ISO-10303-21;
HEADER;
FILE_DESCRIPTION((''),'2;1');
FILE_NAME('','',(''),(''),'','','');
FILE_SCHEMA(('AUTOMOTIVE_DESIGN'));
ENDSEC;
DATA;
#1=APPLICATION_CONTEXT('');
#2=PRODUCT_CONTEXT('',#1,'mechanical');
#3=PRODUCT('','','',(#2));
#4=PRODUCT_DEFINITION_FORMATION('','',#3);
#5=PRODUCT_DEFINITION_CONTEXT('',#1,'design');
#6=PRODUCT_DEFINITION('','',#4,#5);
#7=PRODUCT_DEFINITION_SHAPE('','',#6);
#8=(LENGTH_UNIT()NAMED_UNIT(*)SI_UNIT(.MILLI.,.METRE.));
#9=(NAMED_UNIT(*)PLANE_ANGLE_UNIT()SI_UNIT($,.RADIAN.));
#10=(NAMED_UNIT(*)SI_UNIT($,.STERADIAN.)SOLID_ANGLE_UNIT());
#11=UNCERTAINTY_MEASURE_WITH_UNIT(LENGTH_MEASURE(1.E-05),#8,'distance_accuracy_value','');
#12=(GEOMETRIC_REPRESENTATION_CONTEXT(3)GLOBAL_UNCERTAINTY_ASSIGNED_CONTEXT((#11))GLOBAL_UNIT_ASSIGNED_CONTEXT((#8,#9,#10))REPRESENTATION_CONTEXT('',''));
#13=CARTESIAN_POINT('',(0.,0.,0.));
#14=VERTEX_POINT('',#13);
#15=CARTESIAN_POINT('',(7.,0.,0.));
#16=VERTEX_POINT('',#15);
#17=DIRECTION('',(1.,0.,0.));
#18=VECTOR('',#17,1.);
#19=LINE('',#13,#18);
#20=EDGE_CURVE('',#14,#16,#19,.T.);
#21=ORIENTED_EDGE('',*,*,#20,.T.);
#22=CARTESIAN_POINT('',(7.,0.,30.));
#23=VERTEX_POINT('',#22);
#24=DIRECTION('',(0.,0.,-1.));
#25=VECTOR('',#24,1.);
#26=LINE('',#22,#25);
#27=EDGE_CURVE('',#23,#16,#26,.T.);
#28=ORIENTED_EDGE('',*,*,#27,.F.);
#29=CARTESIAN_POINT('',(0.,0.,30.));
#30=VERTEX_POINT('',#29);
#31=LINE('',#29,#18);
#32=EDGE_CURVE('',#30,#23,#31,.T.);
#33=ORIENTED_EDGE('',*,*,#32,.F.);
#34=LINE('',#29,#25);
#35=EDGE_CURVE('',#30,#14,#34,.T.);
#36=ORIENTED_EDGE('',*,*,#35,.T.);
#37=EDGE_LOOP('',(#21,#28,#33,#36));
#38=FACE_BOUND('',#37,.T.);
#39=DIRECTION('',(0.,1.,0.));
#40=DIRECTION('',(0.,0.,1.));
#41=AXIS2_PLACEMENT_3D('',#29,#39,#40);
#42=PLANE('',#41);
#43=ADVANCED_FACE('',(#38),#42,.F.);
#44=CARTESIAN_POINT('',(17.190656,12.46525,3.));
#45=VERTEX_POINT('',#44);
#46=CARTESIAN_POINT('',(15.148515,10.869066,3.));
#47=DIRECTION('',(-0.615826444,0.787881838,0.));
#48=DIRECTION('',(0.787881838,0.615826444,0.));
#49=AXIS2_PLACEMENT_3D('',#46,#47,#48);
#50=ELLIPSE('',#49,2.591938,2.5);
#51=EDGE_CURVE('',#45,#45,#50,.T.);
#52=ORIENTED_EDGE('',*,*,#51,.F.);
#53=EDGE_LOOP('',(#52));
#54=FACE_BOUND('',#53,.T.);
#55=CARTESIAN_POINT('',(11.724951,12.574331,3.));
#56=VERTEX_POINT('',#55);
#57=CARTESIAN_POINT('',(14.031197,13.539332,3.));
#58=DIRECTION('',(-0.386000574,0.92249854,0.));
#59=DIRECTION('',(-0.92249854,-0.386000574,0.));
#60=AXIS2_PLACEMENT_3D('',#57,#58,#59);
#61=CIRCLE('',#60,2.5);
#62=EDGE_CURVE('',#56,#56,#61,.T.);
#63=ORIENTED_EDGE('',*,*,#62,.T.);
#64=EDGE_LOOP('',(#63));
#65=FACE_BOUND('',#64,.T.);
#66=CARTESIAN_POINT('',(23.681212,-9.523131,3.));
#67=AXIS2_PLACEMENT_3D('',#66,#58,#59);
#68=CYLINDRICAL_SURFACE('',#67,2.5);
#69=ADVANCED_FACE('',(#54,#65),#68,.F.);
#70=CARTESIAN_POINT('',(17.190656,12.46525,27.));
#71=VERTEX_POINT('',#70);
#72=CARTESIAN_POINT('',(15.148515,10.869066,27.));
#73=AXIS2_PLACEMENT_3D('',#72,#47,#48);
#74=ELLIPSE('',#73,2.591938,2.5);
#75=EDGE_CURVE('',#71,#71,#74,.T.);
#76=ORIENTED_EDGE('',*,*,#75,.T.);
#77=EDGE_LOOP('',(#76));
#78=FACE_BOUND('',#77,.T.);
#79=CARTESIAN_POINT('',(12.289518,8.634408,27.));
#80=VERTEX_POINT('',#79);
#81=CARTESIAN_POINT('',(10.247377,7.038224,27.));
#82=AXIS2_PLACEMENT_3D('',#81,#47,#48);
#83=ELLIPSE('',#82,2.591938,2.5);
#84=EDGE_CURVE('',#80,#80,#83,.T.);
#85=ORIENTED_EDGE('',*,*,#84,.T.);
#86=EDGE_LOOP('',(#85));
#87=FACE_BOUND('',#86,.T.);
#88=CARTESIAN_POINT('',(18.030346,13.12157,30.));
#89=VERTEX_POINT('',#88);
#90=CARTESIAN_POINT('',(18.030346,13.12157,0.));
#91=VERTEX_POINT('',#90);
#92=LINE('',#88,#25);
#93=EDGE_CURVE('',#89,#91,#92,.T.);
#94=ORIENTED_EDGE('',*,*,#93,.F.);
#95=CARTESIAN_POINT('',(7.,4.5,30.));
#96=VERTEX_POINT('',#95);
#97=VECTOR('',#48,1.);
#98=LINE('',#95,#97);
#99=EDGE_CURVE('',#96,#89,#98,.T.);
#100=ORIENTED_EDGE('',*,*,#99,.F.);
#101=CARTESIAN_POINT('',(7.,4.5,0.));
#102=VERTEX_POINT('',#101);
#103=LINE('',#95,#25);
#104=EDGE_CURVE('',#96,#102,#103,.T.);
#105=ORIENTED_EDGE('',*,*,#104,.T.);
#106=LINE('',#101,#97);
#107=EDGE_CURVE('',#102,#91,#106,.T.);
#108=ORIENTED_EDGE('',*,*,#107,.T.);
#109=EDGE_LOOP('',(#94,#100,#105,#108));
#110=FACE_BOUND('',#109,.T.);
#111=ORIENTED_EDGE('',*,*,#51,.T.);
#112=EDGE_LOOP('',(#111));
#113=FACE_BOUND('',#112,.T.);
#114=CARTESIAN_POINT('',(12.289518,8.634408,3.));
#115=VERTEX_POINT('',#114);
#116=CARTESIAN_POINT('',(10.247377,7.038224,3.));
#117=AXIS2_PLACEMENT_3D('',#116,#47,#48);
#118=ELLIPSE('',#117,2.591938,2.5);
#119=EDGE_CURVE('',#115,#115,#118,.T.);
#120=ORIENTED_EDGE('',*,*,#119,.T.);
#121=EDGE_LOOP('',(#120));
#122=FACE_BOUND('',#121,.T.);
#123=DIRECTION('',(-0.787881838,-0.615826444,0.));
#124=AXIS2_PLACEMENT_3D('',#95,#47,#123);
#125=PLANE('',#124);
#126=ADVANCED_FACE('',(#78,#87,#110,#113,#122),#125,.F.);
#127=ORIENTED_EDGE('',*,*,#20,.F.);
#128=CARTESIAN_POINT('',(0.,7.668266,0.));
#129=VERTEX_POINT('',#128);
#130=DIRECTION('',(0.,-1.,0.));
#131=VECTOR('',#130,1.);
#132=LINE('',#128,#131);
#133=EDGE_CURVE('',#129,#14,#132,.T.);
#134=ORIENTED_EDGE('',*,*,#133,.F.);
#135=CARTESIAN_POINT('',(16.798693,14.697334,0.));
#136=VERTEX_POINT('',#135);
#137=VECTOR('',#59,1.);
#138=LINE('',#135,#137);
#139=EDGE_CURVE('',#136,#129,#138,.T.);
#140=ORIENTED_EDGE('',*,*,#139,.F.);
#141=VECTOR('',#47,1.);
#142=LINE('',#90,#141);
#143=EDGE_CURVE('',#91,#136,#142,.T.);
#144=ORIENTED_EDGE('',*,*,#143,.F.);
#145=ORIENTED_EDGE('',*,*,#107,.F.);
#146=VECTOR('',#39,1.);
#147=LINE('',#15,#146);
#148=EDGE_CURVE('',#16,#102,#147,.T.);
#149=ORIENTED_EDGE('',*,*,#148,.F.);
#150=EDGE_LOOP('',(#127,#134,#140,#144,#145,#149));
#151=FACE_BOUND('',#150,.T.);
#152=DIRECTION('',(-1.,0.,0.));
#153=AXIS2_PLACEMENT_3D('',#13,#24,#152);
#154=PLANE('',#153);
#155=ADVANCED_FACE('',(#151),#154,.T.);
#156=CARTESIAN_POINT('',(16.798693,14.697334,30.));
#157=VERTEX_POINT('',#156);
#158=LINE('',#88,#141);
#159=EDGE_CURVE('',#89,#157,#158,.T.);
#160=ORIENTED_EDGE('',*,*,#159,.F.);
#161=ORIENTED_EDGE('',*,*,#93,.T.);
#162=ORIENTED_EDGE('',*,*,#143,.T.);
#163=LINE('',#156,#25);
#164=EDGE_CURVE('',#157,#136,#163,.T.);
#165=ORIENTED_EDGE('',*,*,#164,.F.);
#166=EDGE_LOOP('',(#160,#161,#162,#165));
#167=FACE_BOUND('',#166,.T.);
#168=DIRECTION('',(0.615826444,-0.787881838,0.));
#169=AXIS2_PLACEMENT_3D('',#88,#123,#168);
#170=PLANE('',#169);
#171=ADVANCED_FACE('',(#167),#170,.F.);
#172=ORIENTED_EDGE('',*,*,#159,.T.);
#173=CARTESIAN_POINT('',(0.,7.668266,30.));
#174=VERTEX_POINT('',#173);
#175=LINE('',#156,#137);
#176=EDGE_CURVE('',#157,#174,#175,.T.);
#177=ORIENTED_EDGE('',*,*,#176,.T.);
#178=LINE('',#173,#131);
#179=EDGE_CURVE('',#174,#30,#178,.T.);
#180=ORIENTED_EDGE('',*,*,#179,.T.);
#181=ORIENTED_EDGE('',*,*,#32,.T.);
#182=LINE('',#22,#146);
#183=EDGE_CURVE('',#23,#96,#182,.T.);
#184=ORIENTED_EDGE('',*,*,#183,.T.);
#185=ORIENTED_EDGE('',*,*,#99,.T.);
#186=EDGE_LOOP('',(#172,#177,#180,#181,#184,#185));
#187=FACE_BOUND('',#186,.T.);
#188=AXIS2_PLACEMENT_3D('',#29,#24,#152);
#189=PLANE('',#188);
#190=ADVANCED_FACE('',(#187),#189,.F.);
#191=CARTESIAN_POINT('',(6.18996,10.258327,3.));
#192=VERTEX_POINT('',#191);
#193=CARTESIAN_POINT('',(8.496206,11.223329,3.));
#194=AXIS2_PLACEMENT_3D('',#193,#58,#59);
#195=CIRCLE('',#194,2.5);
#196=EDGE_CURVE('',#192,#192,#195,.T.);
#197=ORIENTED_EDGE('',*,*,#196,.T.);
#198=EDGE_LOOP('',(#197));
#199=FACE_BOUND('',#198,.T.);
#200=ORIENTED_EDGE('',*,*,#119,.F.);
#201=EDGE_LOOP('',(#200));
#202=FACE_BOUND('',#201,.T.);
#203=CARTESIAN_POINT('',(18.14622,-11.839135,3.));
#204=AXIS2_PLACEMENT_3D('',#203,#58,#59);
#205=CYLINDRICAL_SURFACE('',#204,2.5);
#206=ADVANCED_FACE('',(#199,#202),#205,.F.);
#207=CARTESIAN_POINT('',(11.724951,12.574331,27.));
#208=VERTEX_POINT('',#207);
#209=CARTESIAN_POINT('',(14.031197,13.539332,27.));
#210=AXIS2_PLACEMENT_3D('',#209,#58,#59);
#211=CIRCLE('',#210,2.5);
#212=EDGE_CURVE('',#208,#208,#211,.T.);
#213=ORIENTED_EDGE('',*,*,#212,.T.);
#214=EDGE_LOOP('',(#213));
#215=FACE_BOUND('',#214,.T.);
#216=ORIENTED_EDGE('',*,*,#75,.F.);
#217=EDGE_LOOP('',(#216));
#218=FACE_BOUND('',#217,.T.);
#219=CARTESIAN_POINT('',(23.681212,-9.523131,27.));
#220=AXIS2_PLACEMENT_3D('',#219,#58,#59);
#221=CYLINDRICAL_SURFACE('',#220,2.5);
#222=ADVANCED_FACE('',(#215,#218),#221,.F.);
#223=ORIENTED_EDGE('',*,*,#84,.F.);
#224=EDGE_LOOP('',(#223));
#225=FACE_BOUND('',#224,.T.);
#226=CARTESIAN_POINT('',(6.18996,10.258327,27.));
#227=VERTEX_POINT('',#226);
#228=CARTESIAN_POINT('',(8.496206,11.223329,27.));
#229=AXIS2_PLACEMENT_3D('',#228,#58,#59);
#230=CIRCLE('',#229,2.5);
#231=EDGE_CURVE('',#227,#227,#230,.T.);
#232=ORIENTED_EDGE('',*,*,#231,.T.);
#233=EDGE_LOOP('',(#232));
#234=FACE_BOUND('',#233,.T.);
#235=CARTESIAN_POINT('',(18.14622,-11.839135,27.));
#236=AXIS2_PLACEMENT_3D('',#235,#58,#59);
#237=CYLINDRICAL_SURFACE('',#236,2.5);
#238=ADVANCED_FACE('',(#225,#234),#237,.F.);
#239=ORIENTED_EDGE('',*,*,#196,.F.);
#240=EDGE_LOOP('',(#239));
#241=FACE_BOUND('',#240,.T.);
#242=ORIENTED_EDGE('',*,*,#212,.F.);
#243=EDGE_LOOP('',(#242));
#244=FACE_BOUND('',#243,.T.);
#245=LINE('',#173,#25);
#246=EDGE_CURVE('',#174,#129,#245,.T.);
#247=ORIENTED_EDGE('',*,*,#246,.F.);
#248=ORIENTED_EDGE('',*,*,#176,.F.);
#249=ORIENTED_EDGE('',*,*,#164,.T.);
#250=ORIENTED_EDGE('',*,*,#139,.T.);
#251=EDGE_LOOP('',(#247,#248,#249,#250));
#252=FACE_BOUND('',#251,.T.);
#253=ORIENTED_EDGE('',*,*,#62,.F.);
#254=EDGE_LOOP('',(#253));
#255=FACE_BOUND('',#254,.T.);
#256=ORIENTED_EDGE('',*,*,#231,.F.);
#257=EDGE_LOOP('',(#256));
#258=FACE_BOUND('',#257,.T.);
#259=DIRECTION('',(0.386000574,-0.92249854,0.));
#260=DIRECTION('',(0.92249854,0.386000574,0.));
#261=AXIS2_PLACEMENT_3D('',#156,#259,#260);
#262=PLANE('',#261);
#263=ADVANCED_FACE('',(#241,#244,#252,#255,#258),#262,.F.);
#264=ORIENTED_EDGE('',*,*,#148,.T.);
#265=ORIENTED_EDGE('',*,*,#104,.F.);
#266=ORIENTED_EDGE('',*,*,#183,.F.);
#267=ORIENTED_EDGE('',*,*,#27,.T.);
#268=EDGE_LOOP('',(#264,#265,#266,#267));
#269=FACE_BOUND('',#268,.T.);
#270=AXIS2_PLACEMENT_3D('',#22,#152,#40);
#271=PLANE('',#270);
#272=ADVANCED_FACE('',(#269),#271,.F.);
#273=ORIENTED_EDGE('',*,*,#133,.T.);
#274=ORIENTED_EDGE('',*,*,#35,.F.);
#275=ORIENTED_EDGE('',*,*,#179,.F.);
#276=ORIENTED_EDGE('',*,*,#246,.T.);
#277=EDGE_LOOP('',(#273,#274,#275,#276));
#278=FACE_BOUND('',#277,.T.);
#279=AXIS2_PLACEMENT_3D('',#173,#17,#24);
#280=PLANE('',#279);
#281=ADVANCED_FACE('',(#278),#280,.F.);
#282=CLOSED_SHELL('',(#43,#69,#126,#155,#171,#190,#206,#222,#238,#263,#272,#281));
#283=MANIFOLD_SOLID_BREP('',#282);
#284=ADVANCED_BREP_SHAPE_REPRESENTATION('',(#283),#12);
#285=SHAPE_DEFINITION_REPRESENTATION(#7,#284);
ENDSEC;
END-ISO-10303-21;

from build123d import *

# Parameters (mm, degrees)
EXTRUDE_1_DEPTH     = 30
SKETCH_3_R          = 2.5
CUT_EXTRUDE_1_DEPTH = 25


with BuildPart() as part:
    # 草图1 → 凸台-拉伸1 (new body)
    with BuildSketch(Plane.XY):
        Polygon((0, 0), (7, 0), (7, 4.5), (18.030345735, 13.121570214), (16.798692847, 14.697333891), (0, 7.668265774), align=None)
    extrude(amount=EXTRUDE_1_DEPTH)

    # 草图3 → 切除-拉伸1 (cut)
    with BuildSketch(Plane(origin=(-2.730554157, 6.52572145, 0), x_dir=(0.9224985403902117, 0.386000573805181, 0), z_dir=(-0.386000573805181, 0.9224985403902117, 0))):
        with Locations(Location((18.169948947, -3, 0), (0, 0, 180))):
            Circle(SKETCH_3_R)
        with Locations(Location((12.169948947, -3, 0), (0, 0, 180))):
            Circle(SKETCH_3_R)
        with Locations(Location((18.169948947, -27, 0), (0, 0, 180))):
            Circle(SKETCH_3_R)
        with Locations(Location((12.169948947, -27, 0), (0, 0, 180))):
            Circle(SKETCH_3_R)
    extrude(amount=-CUT_EXTRUDE_1_DEPTH, mode=Mode.SUBTRACT)


solid = part.part
